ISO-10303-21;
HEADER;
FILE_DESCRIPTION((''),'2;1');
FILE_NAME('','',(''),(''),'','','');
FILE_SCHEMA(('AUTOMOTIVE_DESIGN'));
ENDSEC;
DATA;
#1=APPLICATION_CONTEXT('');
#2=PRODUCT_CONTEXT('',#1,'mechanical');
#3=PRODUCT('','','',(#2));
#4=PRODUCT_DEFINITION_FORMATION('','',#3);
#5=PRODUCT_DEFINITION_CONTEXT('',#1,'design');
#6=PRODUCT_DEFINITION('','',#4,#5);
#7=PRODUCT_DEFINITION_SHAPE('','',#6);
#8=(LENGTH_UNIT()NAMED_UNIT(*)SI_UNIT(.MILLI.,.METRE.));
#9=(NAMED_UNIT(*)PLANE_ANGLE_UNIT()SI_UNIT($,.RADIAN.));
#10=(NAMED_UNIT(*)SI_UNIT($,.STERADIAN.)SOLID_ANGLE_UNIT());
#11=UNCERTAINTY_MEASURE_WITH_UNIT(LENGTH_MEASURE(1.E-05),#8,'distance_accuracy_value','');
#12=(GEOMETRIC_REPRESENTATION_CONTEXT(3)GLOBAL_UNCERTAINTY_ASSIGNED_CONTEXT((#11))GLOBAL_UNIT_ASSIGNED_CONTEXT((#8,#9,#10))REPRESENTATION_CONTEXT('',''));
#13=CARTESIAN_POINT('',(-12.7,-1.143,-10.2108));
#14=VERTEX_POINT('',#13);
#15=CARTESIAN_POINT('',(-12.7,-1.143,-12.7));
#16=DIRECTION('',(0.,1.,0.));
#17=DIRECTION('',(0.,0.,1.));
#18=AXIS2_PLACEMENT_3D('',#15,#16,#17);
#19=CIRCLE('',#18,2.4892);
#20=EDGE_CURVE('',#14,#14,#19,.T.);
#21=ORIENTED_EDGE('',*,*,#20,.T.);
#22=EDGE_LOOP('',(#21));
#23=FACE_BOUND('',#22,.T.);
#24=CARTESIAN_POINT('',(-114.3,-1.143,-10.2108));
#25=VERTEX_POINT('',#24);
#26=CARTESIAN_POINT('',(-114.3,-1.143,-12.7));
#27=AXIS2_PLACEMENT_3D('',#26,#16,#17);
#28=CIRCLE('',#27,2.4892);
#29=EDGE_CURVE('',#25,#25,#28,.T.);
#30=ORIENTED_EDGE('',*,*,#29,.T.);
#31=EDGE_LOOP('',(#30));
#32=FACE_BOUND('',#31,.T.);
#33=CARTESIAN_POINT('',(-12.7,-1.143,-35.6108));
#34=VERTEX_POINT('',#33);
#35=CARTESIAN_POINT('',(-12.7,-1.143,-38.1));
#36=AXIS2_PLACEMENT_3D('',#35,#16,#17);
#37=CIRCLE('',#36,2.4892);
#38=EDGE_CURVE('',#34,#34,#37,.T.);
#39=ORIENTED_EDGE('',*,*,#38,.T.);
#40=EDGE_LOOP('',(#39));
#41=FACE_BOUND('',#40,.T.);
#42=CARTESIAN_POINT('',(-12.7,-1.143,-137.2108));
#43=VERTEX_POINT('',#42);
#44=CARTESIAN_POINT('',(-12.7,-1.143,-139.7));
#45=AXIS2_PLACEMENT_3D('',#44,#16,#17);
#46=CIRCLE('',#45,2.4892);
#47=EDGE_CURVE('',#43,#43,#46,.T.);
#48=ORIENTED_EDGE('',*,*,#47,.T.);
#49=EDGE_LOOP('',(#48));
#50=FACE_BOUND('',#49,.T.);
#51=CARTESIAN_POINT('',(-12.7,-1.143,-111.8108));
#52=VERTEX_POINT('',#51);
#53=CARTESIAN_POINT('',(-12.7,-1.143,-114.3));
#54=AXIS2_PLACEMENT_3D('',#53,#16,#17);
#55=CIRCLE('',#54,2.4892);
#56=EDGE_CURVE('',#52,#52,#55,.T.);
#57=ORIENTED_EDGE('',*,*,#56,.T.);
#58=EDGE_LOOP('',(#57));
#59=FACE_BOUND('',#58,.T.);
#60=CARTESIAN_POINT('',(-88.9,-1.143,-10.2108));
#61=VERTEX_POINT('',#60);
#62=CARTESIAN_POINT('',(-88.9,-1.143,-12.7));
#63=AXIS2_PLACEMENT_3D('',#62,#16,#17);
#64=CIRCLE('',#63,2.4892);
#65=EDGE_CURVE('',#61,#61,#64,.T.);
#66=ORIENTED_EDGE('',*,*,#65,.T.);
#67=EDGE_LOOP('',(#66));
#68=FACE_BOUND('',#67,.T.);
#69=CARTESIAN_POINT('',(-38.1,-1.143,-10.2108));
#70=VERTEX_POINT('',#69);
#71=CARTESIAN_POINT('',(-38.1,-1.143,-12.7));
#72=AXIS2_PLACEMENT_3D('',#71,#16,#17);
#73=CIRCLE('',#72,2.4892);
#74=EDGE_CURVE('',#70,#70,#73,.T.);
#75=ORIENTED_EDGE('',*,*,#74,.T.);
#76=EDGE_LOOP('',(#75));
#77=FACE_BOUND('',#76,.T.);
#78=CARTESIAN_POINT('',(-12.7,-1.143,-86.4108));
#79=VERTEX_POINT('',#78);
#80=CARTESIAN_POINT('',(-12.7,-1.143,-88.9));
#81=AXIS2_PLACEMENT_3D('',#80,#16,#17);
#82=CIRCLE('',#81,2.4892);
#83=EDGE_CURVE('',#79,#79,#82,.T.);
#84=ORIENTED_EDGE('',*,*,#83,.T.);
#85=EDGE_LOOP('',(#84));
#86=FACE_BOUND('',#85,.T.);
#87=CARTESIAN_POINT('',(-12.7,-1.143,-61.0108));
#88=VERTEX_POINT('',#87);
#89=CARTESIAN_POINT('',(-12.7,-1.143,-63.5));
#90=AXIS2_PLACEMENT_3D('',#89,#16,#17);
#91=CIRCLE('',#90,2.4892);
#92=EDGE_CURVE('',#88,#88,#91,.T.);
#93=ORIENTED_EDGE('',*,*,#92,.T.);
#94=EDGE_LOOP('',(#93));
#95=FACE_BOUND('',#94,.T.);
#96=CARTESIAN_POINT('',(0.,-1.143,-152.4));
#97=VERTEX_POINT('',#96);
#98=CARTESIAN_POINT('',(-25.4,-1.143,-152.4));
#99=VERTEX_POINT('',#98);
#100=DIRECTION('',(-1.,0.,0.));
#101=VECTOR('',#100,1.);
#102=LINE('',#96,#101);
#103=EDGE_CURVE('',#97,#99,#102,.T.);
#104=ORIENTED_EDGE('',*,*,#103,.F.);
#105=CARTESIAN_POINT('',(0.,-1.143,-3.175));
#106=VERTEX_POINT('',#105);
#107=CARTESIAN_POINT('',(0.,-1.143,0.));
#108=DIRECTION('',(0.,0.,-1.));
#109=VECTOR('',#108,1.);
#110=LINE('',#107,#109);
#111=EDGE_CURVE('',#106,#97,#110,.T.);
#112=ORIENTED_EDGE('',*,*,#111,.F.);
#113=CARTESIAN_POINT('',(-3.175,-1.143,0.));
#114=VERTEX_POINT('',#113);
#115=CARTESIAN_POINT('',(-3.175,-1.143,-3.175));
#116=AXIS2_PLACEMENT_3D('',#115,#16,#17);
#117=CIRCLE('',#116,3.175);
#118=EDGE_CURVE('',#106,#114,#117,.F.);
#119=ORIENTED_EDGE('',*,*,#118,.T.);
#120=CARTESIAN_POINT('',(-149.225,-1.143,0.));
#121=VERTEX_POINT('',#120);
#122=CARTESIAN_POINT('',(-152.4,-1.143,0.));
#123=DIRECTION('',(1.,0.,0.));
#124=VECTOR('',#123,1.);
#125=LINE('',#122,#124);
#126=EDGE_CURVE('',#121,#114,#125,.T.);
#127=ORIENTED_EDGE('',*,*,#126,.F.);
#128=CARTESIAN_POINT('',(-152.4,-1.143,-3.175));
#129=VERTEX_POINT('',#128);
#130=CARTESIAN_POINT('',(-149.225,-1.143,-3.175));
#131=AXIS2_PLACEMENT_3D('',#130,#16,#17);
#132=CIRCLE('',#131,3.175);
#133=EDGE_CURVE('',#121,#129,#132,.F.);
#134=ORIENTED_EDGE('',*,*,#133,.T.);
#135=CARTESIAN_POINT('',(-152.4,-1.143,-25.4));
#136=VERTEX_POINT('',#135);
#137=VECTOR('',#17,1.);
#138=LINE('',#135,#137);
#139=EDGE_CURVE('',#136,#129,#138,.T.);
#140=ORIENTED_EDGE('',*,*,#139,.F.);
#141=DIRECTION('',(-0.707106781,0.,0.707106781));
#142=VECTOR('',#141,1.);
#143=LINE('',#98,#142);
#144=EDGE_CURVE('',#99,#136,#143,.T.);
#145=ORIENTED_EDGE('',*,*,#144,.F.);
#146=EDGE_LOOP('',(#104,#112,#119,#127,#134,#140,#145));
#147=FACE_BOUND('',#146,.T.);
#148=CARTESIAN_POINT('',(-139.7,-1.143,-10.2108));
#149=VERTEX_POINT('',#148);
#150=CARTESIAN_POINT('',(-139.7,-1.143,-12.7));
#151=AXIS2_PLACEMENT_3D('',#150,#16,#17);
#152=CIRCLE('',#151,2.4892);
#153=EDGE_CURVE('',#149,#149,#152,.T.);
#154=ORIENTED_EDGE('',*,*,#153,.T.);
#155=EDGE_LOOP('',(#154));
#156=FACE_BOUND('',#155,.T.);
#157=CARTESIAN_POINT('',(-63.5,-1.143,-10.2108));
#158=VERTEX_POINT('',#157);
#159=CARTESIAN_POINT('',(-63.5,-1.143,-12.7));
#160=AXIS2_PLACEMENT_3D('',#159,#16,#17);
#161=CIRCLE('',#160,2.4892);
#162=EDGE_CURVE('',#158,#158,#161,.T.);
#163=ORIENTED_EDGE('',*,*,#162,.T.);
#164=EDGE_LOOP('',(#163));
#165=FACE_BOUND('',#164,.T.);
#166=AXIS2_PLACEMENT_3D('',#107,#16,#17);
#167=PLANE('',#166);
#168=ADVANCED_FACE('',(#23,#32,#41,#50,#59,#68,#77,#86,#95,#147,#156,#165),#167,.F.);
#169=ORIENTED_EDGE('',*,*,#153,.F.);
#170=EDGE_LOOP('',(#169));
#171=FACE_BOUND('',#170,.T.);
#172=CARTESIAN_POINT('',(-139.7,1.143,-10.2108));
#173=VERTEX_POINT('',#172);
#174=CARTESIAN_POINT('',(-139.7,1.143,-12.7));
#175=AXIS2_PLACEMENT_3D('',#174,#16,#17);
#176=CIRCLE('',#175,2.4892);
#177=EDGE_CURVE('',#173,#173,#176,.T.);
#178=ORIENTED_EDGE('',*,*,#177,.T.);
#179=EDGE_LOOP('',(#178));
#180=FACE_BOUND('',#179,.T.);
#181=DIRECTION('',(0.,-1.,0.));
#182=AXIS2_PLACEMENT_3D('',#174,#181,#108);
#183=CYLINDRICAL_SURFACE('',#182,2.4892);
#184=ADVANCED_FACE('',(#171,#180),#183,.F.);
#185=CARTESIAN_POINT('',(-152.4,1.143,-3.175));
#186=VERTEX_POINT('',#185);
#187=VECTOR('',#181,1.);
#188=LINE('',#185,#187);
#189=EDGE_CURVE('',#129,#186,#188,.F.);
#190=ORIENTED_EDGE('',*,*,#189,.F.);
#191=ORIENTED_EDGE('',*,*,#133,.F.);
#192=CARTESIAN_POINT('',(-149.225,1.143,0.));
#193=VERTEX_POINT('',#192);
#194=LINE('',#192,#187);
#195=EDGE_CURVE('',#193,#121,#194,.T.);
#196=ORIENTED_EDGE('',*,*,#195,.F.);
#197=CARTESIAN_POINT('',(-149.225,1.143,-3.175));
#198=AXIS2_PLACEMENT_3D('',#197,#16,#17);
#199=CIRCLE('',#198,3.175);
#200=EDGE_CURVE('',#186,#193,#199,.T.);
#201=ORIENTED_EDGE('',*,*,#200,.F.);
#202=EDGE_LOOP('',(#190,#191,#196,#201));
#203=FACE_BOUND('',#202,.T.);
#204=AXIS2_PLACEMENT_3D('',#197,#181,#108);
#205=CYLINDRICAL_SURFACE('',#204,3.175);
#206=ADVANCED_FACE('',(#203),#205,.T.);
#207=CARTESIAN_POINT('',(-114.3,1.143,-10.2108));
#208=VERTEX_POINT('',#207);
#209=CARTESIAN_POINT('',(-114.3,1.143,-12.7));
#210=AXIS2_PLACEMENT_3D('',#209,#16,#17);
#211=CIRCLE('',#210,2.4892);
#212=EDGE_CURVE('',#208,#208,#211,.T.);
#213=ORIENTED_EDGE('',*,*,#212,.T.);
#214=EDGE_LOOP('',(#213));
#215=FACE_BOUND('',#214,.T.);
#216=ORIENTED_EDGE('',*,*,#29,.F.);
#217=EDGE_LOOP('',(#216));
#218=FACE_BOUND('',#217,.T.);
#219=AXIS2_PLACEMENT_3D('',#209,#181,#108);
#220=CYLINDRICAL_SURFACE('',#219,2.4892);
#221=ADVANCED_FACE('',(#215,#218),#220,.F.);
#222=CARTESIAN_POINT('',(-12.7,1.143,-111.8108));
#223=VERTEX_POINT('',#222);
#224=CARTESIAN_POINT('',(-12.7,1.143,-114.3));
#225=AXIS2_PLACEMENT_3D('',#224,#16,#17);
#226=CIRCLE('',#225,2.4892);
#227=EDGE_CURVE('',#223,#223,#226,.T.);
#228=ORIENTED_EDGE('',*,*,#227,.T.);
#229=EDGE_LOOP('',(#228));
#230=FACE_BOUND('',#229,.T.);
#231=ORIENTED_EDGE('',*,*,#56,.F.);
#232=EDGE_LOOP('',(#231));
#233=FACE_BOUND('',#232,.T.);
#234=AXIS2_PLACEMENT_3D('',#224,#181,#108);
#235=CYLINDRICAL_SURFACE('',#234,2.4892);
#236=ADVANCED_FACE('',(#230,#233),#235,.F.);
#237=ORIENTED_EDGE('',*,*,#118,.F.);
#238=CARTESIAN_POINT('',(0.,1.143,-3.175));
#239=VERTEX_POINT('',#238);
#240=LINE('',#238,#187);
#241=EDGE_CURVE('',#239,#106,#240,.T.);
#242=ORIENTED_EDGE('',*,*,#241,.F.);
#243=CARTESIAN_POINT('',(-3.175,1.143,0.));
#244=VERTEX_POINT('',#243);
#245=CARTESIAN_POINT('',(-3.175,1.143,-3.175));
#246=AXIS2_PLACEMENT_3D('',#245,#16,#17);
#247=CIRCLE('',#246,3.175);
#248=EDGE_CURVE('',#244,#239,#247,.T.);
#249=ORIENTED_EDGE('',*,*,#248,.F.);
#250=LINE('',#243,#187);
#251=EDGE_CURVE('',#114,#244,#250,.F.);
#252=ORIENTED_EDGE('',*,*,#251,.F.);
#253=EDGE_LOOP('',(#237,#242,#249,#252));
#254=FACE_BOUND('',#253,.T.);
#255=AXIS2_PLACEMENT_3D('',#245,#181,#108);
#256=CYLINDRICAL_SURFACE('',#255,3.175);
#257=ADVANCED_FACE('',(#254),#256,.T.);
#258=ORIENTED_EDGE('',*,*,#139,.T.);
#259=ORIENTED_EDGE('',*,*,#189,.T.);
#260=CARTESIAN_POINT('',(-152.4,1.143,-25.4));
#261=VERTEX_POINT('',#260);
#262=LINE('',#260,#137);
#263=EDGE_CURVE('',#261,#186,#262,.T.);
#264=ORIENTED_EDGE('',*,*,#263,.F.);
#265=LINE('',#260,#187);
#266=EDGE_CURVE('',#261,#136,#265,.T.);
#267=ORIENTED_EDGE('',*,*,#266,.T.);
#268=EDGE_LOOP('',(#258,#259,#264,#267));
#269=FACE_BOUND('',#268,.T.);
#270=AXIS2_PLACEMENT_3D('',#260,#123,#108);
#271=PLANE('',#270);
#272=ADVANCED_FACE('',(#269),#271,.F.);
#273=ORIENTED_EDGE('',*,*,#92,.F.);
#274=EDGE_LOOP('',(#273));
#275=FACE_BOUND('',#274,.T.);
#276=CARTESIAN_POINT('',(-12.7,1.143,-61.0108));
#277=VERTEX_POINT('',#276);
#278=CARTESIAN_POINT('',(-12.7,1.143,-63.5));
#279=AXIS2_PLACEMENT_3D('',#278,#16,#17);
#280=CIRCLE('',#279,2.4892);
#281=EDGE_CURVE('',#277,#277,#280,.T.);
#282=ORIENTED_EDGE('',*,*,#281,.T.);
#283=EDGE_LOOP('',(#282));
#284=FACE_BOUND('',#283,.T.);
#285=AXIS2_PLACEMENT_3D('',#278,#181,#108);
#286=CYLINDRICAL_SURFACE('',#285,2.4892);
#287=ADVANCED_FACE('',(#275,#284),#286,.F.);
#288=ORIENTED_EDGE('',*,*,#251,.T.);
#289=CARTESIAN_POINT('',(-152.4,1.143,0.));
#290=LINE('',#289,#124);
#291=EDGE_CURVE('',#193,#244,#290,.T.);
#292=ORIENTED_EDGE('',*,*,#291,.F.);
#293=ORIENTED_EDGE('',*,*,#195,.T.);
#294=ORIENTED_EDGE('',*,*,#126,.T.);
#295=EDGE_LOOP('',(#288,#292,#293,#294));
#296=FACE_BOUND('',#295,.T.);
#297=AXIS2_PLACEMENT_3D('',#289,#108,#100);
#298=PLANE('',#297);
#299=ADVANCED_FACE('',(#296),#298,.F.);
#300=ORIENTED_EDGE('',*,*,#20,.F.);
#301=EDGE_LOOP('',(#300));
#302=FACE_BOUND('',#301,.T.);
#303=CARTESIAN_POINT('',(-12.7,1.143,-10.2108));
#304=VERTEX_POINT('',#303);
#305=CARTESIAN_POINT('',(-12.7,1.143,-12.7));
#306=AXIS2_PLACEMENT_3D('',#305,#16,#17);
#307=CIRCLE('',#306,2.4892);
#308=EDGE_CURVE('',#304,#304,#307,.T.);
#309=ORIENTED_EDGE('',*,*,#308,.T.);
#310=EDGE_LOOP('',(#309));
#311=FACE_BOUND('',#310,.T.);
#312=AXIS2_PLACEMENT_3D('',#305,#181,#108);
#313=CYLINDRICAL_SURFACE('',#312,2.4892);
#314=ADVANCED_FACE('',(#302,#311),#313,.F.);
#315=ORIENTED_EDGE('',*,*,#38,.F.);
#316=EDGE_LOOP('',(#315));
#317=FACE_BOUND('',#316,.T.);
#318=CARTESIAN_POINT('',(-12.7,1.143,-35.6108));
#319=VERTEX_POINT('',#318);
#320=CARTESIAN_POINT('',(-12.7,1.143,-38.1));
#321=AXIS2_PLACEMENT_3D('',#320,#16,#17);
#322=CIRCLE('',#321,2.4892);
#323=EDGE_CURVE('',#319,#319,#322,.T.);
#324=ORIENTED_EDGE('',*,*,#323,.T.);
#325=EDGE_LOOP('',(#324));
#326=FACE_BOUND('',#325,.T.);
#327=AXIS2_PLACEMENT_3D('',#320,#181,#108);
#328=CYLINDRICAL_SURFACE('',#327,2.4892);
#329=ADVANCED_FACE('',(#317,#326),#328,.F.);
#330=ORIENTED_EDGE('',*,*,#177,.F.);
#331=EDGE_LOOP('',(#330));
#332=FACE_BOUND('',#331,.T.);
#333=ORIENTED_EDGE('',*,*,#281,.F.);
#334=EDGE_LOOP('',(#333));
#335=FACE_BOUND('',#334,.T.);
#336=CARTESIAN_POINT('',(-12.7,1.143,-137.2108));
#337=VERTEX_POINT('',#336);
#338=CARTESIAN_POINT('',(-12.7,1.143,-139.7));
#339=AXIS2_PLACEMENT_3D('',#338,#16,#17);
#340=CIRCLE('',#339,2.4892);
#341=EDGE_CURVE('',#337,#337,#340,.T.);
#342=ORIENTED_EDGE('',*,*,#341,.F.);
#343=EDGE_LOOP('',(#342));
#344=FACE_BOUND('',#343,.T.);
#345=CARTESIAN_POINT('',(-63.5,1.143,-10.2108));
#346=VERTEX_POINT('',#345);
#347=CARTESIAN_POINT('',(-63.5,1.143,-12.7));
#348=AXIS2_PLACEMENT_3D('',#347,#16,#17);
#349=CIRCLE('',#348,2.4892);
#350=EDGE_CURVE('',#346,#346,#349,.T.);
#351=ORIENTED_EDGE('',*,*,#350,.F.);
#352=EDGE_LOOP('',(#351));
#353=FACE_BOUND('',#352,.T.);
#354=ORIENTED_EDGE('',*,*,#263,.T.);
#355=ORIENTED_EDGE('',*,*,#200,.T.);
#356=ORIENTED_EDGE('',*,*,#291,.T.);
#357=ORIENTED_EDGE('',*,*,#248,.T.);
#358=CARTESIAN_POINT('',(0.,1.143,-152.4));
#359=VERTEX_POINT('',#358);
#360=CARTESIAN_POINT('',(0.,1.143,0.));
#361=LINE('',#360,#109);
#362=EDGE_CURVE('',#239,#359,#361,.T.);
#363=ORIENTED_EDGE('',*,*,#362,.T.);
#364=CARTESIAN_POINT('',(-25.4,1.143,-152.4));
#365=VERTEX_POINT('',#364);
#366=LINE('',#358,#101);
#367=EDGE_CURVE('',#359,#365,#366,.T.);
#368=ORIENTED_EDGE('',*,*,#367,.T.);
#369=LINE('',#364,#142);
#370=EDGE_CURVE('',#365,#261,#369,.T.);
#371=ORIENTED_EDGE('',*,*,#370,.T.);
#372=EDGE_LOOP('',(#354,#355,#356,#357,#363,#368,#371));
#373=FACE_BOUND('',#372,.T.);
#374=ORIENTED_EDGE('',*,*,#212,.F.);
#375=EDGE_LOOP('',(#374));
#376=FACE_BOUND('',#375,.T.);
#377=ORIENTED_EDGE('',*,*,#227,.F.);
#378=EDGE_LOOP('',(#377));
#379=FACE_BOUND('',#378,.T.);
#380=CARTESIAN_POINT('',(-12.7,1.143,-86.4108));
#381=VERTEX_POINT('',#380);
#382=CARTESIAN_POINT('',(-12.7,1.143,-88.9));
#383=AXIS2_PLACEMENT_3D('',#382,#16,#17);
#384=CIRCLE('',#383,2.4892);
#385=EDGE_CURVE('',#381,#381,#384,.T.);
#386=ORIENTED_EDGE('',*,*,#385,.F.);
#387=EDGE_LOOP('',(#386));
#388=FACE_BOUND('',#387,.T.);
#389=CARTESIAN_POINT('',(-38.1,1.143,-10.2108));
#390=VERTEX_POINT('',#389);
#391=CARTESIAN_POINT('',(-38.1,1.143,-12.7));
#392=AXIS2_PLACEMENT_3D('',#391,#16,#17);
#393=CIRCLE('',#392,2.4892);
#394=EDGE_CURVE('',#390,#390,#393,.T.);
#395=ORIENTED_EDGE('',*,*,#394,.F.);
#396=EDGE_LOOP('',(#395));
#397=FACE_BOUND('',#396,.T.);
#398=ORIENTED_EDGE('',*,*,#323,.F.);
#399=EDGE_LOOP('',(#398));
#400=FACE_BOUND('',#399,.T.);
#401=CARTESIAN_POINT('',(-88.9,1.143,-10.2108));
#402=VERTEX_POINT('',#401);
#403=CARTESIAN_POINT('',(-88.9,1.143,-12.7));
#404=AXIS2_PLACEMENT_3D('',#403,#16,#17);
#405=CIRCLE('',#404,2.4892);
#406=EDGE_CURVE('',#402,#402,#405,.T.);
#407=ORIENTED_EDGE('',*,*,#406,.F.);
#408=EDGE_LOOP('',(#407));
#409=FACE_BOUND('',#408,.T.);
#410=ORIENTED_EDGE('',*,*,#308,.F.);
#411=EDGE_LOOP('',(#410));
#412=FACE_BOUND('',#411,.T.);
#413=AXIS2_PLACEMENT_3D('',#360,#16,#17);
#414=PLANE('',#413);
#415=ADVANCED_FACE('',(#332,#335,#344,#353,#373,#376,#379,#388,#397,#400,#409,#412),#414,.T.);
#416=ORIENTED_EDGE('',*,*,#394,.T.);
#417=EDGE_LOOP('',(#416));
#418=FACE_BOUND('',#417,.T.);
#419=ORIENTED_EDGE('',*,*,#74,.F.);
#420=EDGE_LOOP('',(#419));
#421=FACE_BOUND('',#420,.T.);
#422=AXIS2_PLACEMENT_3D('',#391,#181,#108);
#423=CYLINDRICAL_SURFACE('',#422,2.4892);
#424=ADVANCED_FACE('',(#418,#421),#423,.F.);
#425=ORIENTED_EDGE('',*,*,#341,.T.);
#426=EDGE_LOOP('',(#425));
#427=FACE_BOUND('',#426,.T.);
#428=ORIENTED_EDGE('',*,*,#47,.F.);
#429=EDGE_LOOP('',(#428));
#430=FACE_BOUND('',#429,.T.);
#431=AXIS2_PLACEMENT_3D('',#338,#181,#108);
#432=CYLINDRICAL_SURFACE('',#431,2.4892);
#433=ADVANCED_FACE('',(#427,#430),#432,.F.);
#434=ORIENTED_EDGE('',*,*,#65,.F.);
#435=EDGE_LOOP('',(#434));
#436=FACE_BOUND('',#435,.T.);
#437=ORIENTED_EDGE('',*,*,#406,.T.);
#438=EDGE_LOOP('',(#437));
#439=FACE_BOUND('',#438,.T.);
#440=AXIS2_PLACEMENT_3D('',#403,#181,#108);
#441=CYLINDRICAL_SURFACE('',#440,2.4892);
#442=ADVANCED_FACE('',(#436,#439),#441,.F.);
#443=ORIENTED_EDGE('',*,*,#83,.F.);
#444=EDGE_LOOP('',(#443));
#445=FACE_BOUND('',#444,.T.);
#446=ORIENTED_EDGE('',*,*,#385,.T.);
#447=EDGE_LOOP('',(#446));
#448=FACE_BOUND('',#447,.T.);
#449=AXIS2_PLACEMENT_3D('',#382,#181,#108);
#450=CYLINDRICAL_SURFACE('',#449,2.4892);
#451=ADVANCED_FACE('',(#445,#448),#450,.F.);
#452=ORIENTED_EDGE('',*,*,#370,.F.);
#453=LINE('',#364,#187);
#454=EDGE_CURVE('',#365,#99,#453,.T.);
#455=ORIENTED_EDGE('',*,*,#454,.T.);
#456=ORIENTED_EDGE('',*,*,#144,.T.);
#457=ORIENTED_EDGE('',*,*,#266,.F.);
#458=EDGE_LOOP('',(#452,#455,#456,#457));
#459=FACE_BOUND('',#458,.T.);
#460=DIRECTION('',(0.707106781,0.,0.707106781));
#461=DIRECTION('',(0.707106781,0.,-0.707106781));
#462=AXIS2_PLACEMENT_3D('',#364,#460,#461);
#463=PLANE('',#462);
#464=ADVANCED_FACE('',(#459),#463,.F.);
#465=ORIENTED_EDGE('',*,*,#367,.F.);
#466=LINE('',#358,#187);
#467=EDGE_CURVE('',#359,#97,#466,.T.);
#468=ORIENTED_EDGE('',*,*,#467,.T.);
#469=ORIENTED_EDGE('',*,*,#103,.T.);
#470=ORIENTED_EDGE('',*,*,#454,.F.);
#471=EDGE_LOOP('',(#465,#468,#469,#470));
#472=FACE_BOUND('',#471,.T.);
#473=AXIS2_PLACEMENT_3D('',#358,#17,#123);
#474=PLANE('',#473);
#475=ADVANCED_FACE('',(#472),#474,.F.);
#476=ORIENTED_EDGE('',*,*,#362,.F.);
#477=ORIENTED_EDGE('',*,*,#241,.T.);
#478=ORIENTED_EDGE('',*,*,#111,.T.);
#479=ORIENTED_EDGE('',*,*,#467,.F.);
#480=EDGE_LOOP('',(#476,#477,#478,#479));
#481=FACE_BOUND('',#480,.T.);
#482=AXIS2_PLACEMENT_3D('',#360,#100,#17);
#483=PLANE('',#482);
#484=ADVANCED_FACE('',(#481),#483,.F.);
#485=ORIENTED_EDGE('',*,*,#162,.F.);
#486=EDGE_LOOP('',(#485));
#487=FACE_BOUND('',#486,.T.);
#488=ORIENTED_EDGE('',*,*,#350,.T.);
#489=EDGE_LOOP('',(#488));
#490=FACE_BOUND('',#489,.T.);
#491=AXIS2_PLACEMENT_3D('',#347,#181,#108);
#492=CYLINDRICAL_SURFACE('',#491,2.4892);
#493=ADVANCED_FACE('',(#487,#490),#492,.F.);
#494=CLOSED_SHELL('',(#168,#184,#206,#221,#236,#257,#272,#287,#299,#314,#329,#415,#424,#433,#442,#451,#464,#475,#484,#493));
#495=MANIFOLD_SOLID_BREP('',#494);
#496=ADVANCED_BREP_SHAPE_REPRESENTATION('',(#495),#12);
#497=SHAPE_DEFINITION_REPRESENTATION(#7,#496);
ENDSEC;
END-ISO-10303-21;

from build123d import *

# Parameters (mm, degrees)
SKETCH1_R           = 2.4892
BOSS_EXTRUDE2_DEPTH = 1.143
FILLET1_R           = 3.175


with BuildPart() as part:
    # Sketch1 → Boss-Extrude2 (new, symmetric)
    with BuildSketch(Plane(origin=(0, 0, 0), x_dir=(1, 0, 0), z_dir=(0, 1, 0))):
        Polygon((0, 0), (0, 152.4), (-25.4, 152.4), (-152.4, 25.4), (-152.4, 0), align=None)
        with Locations(Location((-12.7, 12.7, 0), (0, 0, 270))):
            Circle(SKETCH1_R, mode=Mode.SUBTRACT)
        with Locations(Location((-38.1, 12.7, 0), (0, 0, 270))):
            Circle(SKETCH1_R, mode=Mode.SUBTRACT)
        with Locations(Location((-63.5, 12.7, 0), (0, 0, 270))):
            Circle(SKETCH1_R, mode=Mode.SUBTRACT)
        with Locations(Location((-88.9, 12.7, 0), (0, 0, 270))):
            Circle(SKETCH1_R, mode=Mode.SUBTRACT)
        with Locations(Location((-114.3, 12.7, 0), (0, 0, 270))):
            Circle(SKETCH1_R, mode=Mode.SUBTRACT)
        with Locations(Location((-12.7, 38.1, 0), (0, 0, 270))):
            Circle(SKETCH1_R, mode=Mode.SUBTRACT)
        with Locations(Location((-12.7, 63.5, 0), (0, 0, 270))):
            Circle(SKETCH1_R, mode=Mode.SUBTRACT)
        with Locations(Location((-12.7, 88.9, 0), (0, 0, 270))):
            Circle(SKETCH1_R, mode=Mode.SUBTRACT)
        with Locations(Location((-12.7, 114.3, 0), (0, 0, 270))):
            Circle(SKETCH1_R, mode=Mode.SUBTRACT)
        with Locations(Location((-139.7, 12.7, 0), (0, 0, 270))):
            Circle(SKETCH1_R, mode=Mode.SUBTRACT)
        with Locations(Location((-12.7, 139.7, 0), (0, 0, 270))):
            Circle(SKETCH1_R, mode=Mode.SUBTRACT)
    extrude(amount=BOSS_EXTRUDE2_DEPTH, both=True)

    # Fillet1
    fillet1_edges = [part.edges().sort_by_distance(p)[0] for p in [
        (-152.4, 0, 0),
        (0, 0, 0),
    ]]
    fillet(fillet1_edges, radius=FILLET1_R)


solid = part.part
